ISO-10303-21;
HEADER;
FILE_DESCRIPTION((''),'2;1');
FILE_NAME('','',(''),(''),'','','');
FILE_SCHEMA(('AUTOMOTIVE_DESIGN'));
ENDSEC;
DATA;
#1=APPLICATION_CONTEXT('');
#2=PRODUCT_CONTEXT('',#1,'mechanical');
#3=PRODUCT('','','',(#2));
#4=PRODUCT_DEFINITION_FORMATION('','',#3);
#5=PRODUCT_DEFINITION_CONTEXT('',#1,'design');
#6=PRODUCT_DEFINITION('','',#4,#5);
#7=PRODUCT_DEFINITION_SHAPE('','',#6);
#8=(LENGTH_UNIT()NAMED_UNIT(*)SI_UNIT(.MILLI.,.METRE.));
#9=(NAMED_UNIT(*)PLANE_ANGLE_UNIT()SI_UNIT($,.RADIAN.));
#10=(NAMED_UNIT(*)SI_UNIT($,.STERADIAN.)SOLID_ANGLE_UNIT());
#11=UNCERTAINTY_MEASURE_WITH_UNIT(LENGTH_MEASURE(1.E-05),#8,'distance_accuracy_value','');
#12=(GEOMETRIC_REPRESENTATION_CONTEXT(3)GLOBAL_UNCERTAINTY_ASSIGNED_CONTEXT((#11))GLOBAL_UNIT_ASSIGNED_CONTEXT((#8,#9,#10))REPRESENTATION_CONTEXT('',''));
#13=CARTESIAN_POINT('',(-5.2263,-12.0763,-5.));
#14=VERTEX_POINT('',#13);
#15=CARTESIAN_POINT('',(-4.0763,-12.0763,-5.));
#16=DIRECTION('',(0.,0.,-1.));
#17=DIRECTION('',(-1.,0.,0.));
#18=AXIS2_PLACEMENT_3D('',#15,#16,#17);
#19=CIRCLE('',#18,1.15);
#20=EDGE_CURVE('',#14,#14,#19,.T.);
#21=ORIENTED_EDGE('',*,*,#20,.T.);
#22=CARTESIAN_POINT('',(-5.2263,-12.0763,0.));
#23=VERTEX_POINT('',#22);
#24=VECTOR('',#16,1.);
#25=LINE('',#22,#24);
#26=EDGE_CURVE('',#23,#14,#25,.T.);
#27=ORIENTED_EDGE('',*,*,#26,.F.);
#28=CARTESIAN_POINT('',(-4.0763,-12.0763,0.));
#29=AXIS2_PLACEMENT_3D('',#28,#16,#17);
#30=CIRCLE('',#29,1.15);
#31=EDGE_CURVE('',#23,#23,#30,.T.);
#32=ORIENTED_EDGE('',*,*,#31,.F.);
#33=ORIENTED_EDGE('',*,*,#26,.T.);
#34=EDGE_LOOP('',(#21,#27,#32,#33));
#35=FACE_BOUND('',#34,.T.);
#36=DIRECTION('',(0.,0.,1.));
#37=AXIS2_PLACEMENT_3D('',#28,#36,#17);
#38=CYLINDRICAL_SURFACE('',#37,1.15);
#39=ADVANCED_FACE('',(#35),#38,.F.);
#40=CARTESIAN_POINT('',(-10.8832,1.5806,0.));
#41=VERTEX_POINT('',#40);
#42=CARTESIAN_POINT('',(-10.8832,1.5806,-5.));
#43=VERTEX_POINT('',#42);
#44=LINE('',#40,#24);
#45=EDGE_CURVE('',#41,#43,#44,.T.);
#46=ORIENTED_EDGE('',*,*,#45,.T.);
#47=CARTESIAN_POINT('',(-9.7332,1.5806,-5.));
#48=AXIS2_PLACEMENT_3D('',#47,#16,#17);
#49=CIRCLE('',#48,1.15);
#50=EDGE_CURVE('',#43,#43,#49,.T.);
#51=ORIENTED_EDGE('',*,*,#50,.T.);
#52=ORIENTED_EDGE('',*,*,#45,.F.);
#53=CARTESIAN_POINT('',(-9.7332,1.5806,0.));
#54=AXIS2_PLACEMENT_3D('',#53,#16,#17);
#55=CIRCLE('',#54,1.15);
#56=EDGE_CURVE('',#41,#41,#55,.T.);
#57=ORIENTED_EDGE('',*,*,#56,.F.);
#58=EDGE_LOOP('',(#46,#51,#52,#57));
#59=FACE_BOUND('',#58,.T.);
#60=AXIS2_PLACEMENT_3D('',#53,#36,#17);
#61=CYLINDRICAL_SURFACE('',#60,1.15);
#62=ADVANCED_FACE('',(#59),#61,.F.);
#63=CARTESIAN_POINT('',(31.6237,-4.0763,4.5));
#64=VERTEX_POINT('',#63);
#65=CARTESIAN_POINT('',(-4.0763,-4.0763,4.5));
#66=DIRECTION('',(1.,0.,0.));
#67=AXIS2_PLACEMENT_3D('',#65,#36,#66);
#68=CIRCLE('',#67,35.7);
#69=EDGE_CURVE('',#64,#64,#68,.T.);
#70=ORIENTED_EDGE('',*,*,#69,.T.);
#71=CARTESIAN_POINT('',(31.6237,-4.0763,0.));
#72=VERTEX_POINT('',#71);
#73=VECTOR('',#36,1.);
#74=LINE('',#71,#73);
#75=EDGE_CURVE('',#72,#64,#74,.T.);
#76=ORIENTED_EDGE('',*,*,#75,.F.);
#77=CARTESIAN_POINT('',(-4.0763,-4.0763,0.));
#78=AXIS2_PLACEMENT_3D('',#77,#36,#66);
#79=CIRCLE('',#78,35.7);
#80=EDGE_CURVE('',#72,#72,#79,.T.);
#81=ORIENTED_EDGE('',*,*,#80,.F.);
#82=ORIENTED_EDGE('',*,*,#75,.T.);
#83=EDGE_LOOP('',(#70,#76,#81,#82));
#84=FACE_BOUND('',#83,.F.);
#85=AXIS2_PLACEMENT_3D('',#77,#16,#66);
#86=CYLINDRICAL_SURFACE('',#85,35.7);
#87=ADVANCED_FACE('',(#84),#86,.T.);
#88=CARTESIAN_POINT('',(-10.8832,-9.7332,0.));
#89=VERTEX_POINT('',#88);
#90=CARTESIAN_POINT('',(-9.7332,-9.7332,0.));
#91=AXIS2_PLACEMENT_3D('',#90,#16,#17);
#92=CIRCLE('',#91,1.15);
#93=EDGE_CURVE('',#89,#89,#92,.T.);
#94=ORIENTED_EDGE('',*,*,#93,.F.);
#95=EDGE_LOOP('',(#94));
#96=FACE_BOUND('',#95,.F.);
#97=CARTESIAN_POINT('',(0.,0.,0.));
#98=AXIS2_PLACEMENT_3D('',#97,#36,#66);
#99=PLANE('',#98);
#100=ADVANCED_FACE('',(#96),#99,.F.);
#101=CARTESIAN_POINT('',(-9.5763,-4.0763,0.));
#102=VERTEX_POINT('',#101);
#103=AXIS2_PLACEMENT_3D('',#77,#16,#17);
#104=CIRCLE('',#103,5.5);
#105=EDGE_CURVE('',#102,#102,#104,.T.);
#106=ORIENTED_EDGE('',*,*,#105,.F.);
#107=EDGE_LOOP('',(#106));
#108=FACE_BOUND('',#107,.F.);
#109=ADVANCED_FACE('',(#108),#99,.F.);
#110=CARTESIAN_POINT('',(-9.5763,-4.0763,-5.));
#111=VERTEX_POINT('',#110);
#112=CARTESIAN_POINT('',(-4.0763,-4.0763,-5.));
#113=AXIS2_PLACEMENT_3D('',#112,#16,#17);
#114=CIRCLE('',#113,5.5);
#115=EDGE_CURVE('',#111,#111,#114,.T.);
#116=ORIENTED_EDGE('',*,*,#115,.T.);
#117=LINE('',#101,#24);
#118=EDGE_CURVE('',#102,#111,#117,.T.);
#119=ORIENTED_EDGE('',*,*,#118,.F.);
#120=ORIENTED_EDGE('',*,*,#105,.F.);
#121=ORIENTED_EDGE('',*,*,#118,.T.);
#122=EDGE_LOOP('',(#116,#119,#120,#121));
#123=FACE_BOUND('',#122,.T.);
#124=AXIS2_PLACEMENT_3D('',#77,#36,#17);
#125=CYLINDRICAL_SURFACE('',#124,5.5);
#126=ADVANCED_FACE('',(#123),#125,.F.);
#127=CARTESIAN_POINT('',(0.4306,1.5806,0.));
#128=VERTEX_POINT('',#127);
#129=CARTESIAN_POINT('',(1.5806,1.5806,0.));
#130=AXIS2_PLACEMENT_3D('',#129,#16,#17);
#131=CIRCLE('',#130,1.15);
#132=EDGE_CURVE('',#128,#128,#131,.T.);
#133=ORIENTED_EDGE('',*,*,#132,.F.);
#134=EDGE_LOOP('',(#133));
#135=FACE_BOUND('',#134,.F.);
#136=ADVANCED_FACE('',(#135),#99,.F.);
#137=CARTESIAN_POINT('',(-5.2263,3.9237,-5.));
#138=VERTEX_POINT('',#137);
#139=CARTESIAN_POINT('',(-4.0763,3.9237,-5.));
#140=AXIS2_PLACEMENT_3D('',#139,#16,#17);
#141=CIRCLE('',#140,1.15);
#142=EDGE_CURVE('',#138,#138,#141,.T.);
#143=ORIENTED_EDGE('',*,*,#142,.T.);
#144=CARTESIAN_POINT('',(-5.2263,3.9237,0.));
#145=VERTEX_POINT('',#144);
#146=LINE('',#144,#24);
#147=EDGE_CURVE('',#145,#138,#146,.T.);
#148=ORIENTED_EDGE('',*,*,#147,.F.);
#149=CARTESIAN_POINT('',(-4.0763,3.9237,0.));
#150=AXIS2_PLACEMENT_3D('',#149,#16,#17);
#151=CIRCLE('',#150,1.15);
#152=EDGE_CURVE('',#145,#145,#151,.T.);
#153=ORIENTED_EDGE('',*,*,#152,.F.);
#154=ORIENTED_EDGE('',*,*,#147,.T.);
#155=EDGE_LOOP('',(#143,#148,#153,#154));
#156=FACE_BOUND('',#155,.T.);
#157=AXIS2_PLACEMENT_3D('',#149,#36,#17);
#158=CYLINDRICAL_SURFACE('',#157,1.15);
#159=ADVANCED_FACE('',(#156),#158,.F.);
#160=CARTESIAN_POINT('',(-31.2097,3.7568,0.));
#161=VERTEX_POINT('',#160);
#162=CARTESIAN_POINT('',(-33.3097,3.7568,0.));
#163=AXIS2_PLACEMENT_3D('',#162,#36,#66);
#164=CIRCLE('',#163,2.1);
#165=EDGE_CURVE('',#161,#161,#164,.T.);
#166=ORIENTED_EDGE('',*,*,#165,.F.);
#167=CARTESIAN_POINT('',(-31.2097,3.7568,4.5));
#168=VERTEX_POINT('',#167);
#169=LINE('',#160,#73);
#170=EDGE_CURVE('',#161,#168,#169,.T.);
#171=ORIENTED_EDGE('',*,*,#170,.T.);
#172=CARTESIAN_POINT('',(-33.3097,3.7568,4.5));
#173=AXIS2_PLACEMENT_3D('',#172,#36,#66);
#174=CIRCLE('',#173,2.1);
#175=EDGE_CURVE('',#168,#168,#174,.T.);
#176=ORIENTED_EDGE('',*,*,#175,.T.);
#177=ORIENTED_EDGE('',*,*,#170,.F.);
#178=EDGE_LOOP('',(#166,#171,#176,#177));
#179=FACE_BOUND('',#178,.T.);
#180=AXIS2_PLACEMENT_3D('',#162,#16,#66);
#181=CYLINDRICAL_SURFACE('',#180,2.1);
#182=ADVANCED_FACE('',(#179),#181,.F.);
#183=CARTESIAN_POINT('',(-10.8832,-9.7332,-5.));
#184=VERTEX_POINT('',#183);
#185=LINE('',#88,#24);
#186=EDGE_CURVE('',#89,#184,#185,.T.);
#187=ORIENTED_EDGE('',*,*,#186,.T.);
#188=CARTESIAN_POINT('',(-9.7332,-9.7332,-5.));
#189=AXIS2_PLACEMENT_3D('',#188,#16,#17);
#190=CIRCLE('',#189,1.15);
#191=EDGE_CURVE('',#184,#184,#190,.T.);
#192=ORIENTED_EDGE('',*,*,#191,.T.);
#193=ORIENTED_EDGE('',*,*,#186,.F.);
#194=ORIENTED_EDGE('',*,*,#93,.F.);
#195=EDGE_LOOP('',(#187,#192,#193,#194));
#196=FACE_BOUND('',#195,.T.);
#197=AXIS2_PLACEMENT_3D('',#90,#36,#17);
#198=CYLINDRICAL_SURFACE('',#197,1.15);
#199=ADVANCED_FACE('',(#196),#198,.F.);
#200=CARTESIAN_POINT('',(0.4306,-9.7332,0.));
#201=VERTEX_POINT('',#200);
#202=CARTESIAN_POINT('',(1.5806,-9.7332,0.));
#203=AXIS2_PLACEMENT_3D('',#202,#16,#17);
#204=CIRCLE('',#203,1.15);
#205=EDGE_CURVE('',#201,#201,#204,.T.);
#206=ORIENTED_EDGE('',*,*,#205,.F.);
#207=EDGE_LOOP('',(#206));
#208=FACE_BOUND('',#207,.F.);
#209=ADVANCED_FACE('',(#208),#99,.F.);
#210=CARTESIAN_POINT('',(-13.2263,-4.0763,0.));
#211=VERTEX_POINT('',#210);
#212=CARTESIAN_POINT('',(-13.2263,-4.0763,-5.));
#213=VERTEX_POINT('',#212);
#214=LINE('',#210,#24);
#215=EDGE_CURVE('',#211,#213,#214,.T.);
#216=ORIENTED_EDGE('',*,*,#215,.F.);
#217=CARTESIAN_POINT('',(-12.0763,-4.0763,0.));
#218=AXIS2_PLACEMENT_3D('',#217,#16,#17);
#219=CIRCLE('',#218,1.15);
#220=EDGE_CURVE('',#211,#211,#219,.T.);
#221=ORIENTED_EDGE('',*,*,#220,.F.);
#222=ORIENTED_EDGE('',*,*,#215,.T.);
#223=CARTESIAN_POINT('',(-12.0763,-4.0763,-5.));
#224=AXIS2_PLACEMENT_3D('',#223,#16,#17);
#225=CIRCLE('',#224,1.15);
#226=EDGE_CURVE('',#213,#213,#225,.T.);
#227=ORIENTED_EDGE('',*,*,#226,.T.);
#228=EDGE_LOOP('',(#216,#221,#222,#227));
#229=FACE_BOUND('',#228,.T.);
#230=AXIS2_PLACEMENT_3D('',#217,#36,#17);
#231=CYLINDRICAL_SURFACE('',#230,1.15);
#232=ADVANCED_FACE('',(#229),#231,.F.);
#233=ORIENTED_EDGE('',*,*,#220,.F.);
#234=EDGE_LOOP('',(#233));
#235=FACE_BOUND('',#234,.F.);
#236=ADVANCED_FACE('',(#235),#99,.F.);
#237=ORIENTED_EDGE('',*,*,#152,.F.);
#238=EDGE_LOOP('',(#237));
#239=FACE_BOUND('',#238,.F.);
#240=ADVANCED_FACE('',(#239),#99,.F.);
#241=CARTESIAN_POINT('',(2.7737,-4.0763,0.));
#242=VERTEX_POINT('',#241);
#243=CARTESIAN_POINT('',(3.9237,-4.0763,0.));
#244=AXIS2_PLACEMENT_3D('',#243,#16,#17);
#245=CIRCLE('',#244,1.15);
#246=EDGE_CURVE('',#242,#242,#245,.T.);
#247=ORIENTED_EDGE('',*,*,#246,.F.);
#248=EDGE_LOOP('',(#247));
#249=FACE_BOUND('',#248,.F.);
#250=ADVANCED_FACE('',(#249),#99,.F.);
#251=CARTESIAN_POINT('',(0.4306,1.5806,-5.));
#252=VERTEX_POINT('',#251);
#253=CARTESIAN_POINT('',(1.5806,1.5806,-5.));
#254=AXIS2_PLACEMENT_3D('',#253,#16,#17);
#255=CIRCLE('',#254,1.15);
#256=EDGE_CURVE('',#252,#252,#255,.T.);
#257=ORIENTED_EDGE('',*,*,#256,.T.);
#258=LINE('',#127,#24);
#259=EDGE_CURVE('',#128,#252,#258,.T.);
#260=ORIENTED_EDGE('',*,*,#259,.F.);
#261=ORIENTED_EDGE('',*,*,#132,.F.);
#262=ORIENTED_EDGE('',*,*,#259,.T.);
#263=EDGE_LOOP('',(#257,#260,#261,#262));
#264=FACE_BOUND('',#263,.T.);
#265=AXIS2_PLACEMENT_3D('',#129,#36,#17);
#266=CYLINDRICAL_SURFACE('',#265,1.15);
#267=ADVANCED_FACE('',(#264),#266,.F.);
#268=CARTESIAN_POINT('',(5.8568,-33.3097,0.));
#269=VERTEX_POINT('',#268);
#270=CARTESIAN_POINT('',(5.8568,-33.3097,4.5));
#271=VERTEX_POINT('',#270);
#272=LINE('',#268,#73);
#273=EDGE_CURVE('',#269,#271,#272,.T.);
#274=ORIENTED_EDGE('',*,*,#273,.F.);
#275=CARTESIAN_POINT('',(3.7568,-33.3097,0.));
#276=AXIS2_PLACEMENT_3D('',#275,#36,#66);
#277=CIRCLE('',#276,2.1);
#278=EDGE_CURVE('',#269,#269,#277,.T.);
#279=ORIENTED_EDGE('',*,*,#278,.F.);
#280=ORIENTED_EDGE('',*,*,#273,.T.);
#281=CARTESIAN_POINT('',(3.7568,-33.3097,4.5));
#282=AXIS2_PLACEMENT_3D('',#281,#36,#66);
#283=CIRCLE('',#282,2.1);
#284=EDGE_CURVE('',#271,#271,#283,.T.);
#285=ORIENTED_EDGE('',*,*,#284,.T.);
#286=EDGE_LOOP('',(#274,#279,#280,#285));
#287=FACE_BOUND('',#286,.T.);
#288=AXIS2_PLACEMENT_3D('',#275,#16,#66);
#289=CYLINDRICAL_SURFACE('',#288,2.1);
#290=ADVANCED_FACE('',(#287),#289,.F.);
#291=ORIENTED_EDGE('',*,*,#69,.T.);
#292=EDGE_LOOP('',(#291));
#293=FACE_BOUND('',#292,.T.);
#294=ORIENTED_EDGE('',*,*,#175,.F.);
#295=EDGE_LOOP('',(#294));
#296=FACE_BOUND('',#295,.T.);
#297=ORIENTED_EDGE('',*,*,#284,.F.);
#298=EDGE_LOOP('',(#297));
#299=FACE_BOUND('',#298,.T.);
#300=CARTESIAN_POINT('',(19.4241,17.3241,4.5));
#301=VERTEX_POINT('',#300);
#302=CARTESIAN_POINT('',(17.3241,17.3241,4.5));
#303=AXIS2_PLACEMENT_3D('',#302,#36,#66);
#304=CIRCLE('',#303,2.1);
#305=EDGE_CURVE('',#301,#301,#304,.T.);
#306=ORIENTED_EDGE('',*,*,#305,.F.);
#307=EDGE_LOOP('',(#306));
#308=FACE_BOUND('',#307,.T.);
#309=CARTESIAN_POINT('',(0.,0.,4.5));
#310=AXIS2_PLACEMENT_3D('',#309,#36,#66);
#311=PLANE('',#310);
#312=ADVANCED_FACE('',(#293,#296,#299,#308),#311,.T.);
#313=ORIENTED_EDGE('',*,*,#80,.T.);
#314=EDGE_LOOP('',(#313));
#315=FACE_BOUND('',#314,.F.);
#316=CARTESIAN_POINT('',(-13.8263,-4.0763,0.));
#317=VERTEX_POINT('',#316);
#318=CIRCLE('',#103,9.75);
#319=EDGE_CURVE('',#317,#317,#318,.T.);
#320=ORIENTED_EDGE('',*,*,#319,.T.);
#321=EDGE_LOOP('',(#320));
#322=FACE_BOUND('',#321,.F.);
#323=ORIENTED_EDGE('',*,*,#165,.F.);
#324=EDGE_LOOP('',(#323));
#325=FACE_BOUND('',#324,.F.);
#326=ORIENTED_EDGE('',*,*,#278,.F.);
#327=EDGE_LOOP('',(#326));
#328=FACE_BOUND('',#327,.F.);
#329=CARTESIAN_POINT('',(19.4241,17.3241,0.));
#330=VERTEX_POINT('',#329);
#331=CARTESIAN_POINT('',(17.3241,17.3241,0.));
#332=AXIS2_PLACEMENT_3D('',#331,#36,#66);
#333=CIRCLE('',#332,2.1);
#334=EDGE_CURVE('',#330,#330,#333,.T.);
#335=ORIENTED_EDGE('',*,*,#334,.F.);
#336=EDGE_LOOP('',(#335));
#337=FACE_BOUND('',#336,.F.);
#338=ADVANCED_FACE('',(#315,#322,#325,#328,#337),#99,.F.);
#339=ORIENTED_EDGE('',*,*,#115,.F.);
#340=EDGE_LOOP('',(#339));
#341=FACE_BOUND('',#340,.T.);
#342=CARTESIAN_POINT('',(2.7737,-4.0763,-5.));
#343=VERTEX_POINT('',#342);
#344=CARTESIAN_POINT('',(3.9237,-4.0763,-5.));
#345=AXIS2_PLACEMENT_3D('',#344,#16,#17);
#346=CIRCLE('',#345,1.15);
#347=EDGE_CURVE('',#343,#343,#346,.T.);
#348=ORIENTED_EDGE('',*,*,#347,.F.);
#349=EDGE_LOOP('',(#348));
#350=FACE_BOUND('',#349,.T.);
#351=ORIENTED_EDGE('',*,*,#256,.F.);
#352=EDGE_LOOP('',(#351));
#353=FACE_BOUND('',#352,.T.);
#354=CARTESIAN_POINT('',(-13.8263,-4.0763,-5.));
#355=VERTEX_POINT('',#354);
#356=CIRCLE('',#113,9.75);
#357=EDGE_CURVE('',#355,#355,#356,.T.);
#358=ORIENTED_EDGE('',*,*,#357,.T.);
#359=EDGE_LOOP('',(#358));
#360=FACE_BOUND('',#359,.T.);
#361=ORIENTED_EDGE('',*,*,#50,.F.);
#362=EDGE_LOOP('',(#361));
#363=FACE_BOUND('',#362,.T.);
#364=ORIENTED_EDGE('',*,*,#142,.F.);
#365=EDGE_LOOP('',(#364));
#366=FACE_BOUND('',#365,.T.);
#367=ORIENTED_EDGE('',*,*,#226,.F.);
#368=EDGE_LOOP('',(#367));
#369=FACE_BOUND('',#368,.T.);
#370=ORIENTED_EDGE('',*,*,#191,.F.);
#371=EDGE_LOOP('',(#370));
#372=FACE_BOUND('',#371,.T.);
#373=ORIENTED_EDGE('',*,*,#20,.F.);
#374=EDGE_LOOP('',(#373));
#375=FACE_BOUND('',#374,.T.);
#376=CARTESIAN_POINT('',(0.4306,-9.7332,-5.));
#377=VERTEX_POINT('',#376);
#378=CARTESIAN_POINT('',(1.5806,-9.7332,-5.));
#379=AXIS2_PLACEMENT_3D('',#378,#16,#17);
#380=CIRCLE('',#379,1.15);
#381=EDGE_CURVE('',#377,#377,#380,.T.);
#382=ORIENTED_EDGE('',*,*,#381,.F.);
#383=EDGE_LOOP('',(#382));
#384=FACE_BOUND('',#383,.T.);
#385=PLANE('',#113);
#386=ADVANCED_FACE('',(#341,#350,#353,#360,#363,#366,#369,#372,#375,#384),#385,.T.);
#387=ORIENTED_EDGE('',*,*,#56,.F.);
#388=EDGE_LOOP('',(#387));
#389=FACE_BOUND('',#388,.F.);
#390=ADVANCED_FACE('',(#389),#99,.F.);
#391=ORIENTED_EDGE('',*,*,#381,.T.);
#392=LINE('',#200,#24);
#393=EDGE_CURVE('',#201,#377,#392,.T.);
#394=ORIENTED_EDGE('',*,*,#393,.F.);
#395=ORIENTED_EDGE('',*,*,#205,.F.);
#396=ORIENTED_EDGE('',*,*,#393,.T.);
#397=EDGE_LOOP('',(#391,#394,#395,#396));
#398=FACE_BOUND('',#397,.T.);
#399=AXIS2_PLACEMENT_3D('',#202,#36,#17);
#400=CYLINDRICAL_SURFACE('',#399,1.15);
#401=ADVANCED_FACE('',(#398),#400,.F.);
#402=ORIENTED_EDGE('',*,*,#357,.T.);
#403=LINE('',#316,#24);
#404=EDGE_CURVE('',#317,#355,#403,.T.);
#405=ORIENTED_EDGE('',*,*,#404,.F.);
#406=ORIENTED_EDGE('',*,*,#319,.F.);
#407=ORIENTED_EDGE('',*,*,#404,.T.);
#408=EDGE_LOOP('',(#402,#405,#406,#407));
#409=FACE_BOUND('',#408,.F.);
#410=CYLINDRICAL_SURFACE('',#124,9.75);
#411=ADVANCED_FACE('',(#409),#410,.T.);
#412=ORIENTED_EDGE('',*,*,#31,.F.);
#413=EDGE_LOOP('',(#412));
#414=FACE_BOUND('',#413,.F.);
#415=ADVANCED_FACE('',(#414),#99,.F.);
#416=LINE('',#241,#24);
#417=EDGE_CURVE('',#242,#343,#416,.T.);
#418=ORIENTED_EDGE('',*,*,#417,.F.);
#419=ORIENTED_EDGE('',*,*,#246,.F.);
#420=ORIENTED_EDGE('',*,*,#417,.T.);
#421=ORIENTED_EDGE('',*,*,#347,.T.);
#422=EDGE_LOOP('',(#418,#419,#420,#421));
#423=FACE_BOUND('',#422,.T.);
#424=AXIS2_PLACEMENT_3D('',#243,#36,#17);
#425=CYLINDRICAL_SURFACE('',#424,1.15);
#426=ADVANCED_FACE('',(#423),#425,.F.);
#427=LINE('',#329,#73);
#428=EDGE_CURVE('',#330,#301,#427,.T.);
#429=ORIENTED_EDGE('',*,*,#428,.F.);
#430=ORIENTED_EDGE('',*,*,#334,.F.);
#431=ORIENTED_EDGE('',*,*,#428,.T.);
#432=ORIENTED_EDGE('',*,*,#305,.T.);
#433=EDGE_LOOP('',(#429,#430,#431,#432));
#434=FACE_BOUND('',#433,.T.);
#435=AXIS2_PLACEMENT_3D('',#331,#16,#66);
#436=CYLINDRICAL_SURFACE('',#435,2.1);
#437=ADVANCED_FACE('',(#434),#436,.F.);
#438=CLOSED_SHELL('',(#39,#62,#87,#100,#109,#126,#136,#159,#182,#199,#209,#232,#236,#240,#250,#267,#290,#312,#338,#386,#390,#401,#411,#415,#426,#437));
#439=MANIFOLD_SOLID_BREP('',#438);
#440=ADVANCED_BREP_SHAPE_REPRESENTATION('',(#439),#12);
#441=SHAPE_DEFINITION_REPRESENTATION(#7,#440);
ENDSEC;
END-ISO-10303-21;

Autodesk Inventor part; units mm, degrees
ref_plane "YZ Plane" through (0, 0, 0) normal (1, 0, 0) x (0, 1, 0)
ref_plane "XZ Plane" through (0, 0, 0) normal (0, 1, 0) x (-1, 0, 0)
ref_plane "XY Plane" through (0, 0, 0) normal (0, 0, 1) x (1, 0, 0)
sketch "スケッチ1" plane through (0, 0, 0) normal (0, 0, 1) x (1, 0, 0)
  circle A0 centre (-4.0763, -4.0763) radius 35.7
  circle A1 centre (-4.0763, -4.0763) radius 35.7
  circle A2 centre (-33.3097, 3.7568) radius 2.1
  circle A3 centre (3.7568, -33.3097) radius 2.1
  circle A4 centre (17.3241, 17.3241) radius 2.1
  dimension "d0" = 4.2
  dimension "d1" = 4.2
  dimension "d2" = 4.2
  dimension "d3" = 71.4
extrude "押し出し1" add sketch "スケッチ1" along normal blind 4.5
sketch "スケッチ3" plane through (-4.0763, -4.0763, 0) normal (0, 0, -1) x (-1, 0, 0)
  circle A0 centre (0, 0) radius 9.75
  circle A1 centre (-5.6569, 5.6569) radius 1.15
  circle A2 centre (-8, 0) radius 1.15
  circle A3 centre (-5.6569, -5.6569) radius 1.15
  circle A4 centre (0, -8) radius 1.15
  circle A5 centre (5.6569, -5.6569) radius 1.15
  circle A6 centre (0, 8) radius 1.15
  circle A7 centre (5.6569, 5.6569) radius 1.15
  circle A8 centre (8, 0) radius 1.15
  circle A9 centre (0, 0) radius 5.5
  point P0 (-4.0763, 4.0763)
extrude "押し出し3" add sketch "スケッチ3" along normal blind 5
properties part number "rotate_plate"
